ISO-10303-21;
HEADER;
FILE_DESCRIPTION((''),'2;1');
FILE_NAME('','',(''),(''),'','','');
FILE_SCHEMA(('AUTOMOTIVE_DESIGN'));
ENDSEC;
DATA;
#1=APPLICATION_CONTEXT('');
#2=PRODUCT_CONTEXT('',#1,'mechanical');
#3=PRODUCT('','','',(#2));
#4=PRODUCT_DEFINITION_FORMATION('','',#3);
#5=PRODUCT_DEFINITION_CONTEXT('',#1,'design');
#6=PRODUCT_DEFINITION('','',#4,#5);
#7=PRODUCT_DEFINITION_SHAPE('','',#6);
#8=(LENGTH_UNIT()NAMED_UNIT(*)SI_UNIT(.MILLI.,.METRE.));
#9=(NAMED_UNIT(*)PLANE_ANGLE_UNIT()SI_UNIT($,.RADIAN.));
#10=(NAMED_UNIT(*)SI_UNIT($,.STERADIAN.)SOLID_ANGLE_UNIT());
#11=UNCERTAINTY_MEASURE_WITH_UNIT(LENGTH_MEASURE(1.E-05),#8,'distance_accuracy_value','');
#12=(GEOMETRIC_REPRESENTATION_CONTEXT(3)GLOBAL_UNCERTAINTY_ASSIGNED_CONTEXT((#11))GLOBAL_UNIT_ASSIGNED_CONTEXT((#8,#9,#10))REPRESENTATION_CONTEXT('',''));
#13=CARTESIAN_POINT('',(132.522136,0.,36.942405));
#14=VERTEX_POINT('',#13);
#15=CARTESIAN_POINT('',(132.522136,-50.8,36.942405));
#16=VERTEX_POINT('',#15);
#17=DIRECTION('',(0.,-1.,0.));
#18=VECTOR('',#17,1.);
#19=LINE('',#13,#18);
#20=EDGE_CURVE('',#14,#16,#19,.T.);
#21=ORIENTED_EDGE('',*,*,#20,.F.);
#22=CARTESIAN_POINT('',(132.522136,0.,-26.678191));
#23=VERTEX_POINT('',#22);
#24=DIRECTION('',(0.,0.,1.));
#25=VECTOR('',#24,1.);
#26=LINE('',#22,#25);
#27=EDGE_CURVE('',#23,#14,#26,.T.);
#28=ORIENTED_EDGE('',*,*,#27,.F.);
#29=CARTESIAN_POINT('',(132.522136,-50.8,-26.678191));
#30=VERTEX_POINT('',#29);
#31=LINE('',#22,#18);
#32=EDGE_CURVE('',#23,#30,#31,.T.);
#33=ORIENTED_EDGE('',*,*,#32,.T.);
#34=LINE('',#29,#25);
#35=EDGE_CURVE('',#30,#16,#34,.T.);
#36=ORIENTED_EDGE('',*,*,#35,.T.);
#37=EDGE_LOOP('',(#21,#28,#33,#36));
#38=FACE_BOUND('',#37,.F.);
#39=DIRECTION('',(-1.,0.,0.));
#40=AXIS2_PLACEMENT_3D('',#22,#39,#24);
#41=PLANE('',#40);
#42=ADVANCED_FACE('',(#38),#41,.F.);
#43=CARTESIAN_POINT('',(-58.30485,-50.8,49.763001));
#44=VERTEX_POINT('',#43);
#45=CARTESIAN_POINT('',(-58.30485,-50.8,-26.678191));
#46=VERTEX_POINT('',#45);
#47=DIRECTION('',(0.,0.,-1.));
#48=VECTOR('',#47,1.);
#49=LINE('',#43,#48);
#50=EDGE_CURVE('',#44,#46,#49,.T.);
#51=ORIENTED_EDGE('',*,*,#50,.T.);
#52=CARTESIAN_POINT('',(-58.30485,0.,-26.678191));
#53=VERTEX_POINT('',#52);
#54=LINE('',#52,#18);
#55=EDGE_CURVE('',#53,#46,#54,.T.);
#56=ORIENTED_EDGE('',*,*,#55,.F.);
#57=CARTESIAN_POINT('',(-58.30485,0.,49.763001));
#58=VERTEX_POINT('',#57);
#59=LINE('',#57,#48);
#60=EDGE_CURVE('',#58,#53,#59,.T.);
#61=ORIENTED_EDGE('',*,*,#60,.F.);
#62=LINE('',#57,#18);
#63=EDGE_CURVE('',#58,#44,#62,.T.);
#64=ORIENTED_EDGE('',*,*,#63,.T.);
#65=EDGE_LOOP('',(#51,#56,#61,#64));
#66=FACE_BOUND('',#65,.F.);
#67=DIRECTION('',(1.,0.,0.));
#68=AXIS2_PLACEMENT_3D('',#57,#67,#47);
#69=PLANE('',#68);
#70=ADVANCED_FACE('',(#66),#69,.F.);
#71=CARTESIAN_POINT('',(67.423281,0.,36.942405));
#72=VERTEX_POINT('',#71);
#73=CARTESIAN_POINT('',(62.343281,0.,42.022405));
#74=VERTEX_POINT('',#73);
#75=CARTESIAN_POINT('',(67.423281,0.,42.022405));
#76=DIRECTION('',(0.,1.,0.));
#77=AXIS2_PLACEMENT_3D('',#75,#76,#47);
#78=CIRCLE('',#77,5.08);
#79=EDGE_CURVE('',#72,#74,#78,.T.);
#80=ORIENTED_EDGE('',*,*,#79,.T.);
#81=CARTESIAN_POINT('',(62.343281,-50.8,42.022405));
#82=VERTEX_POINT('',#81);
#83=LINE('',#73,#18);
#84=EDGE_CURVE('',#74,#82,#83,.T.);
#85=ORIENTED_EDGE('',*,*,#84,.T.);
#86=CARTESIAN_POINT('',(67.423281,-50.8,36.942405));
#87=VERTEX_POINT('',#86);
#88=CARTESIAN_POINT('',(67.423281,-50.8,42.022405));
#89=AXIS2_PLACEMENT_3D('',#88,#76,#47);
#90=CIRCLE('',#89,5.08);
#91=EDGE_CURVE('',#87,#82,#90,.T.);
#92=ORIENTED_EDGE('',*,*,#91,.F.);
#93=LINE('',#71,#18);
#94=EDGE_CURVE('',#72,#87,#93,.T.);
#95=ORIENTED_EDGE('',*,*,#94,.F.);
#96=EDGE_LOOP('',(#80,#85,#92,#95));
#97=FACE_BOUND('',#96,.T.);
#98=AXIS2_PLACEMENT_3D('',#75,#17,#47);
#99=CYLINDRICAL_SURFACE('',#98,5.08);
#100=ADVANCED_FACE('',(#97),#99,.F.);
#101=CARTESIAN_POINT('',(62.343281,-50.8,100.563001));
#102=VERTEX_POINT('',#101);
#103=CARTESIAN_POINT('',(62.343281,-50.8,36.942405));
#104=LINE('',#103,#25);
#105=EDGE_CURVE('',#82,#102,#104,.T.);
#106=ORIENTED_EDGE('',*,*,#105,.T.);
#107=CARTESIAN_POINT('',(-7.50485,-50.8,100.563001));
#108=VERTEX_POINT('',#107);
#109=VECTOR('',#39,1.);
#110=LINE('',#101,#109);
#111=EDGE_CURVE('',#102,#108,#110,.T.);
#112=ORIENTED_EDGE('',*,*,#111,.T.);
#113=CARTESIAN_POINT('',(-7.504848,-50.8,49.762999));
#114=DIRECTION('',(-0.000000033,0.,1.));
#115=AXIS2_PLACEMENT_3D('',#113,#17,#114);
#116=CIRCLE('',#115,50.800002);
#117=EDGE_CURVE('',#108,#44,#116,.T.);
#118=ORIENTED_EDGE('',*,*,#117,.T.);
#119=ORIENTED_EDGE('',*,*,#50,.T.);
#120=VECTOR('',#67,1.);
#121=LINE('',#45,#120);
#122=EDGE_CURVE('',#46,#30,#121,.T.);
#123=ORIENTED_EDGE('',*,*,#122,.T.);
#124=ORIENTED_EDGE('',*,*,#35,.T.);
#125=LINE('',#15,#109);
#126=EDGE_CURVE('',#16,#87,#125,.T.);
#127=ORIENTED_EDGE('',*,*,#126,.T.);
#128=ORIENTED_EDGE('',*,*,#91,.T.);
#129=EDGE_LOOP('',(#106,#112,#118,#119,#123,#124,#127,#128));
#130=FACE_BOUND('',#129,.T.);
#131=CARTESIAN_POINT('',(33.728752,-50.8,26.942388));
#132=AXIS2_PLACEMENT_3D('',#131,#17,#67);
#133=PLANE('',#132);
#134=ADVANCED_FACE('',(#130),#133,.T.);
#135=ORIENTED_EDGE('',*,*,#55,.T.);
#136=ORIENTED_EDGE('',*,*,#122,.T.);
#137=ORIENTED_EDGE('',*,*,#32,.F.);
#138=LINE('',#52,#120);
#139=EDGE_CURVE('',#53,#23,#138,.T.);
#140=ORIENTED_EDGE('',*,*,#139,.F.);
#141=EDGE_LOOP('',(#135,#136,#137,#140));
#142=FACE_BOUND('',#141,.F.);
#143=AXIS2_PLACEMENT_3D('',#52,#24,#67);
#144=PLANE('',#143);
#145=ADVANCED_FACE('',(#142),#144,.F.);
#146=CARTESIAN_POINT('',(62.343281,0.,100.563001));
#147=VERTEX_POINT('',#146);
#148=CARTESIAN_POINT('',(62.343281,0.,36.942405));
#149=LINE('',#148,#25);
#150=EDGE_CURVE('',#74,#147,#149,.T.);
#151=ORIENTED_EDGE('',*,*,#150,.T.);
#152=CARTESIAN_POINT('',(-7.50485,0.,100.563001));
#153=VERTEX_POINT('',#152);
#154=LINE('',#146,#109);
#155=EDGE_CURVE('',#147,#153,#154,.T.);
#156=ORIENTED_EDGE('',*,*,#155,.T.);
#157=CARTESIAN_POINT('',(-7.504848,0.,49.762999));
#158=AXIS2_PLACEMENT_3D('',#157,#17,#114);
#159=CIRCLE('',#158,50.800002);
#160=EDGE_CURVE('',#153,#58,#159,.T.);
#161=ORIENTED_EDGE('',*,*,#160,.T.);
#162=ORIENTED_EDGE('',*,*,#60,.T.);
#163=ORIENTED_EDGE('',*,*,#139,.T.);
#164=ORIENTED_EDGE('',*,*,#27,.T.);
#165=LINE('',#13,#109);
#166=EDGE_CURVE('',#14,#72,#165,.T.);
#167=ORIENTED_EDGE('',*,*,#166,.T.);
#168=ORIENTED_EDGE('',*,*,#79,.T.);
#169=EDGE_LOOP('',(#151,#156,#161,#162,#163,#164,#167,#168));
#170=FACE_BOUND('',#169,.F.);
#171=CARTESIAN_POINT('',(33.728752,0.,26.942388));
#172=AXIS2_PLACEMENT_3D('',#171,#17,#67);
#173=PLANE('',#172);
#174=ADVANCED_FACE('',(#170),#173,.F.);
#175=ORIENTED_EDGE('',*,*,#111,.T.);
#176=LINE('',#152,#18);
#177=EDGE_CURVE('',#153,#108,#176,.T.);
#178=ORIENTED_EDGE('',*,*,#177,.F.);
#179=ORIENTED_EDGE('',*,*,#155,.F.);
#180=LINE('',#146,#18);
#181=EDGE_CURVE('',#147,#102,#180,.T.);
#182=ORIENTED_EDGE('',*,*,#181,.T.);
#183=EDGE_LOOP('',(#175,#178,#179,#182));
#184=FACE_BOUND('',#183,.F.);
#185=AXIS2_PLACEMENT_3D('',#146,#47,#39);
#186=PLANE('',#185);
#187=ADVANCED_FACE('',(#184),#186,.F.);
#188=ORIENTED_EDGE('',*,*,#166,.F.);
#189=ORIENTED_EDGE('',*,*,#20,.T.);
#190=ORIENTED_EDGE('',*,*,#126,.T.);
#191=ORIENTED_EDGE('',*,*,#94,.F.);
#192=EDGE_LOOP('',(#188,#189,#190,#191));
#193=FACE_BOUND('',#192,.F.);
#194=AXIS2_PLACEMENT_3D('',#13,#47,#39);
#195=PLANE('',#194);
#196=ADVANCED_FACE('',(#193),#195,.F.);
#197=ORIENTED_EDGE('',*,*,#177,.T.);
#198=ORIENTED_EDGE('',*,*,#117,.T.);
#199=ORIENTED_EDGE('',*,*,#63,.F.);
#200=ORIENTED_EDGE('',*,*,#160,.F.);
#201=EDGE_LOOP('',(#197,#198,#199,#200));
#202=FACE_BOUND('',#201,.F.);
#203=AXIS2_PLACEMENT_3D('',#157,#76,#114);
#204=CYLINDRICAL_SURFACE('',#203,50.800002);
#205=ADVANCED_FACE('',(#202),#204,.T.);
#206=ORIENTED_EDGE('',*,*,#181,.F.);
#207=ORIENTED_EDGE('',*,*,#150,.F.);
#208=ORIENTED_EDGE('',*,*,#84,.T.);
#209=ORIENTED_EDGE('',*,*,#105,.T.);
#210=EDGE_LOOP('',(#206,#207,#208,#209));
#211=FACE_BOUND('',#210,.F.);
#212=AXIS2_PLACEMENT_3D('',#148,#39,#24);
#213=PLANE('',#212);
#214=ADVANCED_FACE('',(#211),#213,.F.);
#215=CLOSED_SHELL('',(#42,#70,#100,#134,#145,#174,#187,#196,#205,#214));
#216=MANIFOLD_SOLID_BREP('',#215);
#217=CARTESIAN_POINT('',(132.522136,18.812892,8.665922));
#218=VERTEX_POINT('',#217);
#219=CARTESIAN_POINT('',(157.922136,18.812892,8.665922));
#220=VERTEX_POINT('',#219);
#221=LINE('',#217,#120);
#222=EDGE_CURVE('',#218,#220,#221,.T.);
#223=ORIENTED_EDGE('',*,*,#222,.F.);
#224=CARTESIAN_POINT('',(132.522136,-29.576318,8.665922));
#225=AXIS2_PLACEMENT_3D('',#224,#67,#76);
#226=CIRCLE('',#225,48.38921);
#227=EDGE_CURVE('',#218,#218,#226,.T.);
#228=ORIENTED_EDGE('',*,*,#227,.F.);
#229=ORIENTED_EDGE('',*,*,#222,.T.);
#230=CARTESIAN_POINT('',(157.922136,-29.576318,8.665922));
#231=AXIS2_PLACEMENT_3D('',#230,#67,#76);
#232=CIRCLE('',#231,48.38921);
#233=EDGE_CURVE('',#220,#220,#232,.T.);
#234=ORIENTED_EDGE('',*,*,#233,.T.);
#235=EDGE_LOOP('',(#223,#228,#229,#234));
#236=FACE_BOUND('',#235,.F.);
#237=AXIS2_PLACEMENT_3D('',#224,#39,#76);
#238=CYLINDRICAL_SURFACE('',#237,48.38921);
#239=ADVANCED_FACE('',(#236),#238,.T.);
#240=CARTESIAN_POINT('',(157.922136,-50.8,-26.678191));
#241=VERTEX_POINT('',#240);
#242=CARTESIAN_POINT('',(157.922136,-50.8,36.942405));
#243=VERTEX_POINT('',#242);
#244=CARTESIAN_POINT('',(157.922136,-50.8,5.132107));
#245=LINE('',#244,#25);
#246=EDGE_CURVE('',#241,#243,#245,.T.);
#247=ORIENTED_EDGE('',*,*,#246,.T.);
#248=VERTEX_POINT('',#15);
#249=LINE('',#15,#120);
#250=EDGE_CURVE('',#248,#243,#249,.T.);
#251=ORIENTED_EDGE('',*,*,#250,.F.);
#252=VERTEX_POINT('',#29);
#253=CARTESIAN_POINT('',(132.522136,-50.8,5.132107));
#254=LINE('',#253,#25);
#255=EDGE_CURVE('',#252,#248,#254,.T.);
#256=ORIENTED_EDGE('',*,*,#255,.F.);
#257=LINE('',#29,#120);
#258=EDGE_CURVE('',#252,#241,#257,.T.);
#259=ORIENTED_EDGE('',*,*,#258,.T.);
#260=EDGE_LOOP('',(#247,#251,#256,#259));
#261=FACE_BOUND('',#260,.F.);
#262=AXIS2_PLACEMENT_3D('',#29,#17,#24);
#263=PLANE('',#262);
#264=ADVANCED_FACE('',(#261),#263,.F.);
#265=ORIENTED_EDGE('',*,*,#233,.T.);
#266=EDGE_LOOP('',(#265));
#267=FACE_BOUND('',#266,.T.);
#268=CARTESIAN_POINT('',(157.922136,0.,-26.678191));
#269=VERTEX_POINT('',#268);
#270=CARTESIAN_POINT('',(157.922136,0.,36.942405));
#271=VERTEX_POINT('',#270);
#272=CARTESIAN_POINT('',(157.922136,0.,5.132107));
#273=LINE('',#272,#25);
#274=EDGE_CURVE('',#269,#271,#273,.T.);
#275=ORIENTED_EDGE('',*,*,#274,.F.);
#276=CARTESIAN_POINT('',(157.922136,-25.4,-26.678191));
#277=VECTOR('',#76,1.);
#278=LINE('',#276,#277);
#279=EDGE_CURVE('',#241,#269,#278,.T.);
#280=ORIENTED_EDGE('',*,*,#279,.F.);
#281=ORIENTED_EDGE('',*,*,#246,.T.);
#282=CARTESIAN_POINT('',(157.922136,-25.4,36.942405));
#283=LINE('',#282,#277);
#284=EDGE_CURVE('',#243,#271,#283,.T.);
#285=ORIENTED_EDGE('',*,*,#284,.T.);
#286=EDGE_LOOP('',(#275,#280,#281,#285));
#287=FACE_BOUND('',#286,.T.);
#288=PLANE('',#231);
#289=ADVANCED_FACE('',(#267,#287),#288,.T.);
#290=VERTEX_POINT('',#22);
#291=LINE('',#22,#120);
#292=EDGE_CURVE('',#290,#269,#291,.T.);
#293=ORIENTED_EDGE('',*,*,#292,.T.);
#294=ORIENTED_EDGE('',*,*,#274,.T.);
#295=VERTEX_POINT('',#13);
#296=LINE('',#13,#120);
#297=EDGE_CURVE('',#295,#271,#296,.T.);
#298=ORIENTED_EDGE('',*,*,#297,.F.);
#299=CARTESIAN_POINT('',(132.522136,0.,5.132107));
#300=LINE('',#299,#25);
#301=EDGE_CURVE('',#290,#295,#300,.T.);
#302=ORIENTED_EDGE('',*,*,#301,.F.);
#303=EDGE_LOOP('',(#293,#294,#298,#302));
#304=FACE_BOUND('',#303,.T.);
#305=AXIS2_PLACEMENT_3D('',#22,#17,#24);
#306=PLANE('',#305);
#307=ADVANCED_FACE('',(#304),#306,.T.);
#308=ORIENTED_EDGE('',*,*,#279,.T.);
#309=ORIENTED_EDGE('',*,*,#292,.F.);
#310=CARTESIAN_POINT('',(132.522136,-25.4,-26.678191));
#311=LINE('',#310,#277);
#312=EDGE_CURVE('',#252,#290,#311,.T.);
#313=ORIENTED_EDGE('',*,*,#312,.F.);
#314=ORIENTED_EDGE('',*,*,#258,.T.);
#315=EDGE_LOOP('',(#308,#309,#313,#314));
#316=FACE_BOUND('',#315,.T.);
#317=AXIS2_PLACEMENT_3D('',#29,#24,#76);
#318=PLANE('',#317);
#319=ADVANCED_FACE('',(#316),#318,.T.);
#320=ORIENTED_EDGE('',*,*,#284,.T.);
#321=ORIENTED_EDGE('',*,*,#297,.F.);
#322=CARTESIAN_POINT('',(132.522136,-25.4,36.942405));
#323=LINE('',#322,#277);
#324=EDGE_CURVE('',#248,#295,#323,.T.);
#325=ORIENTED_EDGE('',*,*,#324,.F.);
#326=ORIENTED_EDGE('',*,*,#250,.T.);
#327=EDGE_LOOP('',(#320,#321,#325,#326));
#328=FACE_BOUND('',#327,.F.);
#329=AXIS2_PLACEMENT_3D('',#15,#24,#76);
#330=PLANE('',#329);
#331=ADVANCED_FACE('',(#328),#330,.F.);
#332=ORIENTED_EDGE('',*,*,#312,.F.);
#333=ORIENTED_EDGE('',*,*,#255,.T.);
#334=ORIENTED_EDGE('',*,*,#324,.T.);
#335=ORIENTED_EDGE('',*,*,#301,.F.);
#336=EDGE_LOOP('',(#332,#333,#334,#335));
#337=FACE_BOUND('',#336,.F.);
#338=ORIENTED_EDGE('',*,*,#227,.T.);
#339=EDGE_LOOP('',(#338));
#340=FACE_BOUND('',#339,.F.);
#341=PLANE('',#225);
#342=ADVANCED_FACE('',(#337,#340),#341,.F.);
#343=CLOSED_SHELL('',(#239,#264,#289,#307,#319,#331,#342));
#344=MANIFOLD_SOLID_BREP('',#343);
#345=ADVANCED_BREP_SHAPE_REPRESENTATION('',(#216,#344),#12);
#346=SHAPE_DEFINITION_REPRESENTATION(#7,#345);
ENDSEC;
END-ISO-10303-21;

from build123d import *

# Parameters (mm, degrees)
F1_DEPTH = 50.8
F2_R     = 5.08
F3_R     = 48.38921
F3_W     = 50.8
F3_H     = 63.620596
F4_DEPTH = 25.4


with BuildPart() as f1:
    # F0 (on Front) → F1 (new body)
    with BuildSketch(Plane.XZ):
        with BuildLine():
            Line((62.343281, 100.563001), (-7.50485, 100.563001))
            ThreePointArc((-7.50485, 100.563001), (-43.425874, 85.684025), (-58.30485, 49.763001))
            Line((-58.30485, 49.763001), (-58.30485, -26.678191))
            Line((-58.30485, -26.678191), (62.343281, -26.678191))
            Line((62.343281, -26.678191), (132.522136, -26.678191))
            Line((132.522136, -26.678191), (132.522136, 36.942405))
            Line((132.522136, 36.942405), (62.343281, 36.942405))
            Line((62.343281, 36.942405), (62.343281, 100.563001))
        make_face()
    extrude(amount=F1_DEPTH)

    # F2
    f2_edges = [f1.edges().sort_by_distance(p)[0] for p in [
        (62.343281, -25.4, 36.942405),
    ]]
    fillet(f2_edges, radius=F2_R)


with BuildPart() as f4:
    # F3 (on face) → F4 (new body)
    with BuildSketch(Plane.YZ.offset(132.522136)):
        with Locations((-29.576318, 8.665922)):
            Circle(F3_R)
        with Locations((-25.4, 5.132107)):
            Rectangle(F3_W, F3_H, mode=Mode.SUBTRACT)
    extrude(amount=F4_DEPTH)


solid = Compound([f1.part, f4.part])
